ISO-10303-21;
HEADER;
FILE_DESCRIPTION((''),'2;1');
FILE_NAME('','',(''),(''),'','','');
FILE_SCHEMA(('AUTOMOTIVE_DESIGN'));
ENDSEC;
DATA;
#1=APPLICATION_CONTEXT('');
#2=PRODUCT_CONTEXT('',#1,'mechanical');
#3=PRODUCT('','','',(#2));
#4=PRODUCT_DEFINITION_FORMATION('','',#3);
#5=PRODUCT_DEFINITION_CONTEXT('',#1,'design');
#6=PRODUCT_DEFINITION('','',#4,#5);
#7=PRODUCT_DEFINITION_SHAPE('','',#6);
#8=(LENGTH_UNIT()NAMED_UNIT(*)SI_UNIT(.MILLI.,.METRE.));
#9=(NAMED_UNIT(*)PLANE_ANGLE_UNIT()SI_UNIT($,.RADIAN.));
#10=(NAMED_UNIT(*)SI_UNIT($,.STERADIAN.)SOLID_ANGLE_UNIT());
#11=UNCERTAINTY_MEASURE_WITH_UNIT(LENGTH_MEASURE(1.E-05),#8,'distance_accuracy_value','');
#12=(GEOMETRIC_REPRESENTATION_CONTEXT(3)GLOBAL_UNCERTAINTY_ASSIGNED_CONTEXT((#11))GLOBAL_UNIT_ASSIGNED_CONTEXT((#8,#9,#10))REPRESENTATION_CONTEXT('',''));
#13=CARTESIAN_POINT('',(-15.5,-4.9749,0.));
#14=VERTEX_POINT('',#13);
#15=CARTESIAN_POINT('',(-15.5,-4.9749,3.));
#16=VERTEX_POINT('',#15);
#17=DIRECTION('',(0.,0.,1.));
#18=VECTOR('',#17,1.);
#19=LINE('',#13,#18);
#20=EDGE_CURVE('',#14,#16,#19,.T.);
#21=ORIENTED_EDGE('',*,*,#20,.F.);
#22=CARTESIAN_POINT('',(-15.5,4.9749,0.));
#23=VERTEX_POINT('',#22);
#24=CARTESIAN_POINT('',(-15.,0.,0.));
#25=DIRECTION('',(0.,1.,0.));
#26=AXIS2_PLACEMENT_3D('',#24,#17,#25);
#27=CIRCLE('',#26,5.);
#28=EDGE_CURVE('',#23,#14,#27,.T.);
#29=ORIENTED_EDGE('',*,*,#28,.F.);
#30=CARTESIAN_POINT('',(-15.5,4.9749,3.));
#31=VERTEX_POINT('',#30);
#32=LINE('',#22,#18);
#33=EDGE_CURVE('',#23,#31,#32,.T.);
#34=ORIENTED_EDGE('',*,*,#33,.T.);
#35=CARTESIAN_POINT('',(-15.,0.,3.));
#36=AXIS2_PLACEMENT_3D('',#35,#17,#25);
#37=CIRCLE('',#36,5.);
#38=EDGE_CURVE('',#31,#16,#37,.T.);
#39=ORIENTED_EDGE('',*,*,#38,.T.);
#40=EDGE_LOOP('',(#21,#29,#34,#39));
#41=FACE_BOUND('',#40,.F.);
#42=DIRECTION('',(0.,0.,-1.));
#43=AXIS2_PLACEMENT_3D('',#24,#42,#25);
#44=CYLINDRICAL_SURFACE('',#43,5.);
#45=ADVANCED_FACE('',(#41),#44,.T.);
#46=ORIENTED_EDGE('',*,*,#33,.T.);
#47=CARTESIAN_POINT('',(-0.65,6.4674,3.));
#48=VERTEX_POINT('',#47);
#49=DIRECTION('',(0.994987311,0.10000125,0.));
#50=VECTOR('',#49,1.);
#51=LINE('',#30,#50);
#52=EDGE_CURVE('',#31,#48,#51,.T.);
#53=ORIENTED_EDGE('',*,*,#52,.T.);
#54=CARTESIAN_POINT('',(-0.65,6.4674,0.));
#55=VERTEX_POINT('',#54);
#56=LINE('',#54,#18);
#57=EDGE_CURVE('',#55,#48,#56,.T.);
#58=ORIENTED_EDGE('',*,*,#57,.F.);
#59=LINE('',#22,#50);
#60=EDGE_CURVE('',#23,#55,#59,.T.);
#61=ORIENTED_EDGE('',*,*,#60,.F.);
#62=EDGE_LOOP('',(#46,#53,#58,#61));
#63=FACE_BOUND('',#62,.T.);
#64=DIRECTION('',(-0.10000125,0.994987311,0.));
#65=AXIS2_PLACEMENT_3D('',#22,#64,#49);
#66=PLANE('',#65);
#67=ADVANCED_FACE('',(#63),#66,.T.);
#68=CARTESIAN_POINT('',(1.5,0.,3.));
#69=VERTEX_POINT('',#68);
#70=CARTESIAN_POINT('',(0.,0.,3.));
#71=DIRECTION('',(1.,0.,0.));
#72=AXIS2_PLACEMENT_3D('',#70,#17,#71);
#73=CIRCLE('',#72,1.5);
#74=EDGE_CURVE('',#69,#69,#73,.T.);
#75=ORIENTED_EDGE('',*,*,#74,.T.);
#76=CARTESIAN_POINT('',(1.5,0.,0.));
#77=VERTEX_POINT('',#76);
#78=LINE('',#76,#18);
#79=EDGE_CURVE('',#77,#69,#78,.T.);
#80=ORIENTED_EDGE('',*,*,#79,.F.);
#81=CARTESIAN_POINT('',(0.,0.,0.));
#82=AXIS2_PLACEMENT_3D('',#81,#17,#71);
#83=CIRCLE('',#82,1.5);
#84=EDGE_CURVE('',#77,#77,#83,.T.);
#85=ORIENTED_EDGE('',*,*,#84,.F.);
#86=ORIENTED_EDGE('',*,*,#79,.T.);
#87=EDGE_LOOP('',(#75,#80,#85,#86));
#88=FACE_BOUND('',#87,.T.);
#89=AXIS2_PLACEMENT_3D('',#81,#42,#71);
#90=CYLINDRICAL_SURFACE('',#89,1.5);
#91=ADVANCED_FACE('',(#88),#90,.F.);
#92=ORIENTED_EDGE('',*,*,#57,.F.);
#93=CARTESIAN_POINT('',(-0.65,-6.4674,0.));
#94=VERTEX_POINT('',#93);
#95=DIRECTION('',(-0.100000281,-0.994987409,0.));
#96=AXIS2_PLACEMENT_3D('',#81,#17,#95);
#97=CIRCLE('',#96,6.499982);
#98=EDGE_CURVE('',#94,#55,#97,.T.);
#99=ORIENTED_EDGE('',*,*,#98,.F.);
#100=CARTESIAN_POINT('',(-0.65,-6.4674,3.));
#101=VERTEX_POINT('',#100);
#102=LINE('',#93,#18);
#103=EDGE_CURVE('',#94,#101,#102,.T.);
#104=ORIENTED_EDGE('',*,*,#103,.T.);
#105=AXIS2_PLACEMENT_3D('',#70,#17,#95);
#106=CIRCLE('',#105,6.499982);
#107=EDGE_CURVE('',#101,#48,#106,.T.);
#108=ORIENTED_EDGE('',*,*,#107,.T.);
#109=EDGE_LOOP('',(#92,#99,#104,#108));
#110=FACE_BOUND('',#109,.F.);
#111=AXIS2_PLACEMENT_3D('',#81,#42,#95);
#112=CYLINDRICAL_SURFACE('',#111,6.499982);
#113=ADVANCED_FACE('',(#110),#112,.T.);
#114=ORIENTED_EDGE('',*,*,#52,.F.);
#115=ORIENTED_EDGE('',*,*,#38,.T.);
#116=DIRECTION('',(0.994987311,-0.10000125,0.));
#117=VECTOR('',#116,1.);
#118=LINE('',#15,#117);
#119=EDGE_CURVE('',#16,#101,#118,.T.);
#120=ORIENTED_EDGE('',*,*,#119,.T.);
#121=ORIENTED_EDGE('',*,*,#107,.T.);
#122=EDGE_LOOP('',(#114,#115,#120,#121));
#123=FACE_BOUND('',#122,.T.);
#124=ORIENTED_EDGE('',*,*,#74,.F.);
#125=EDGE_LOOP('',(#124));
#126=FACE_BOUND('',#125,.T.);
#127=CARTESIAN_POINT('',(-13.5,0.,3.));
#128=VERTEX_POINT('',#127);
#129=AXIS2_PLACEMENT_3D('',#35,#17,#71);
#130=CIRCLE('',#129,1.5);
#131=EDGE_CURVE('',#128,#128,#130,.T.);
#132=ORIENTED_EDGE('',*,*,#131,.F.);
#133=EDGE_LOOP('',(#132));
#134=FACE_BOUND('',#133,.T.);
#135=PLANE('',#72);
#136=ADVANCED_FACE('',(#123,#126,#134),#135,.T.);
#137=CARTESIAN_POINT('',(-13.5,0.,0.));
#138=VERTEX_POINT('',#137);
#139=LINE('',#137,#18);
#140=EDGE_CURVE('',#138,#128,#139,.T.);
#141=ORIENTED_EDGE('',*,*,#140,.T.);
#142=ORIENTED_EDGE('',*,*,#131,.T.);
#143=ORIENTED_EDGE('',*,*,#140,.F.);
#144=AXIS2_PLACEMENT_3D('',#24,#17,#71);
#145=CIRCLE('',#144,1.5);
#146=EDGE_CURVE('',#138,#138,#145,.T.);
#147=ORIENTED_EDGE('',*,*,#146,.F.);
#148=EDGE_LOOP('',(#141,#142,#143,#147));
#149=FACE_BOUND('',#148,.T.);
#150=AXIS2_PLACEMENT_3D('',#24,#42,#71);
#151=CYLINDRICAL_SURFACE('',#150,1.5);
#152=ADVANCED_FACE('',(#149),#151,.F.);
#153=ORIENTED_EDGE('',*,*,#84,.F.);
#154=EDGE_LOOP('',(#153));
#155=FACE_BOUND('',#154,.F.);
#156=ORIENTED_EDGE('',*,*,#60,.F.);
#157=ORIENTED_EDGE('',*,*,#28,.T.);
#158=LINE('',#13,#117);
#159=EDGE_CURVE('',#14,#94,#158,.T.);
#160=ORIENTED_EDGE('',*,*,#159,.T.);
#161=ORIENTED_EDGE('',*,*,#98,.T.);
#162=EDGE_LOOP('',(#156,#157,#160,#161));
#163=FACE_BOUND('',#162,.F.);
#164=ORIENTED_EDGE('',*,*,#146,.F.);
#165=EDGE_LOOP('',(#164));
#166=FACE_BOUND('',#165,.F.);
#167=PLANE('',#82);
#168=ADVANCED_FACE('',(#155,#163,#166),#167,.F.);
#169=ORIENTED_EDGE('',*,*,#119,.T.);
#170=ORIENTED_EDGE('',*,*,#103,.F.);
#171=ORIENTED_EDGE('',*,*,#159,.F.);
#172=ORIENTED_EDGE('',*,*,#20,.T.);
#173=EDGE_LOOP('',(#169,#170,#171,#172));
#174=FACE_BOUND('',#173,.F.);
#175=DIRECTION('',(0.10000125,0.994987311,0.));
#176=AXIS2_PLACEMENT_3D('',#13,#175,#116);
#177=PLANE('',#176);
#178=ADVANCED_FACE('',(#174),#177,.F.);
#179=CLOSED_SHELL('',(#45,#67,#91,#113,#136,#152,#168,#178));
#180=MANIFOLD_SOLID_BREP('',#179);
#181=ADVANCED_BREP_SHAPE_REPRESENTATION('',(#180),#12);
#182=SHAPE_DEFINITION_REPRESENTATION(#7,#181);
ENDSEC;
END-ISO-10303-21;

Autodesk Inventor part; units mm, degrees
ref_plane "YZ Plane" through (0, 0, 0) normal (1, 0, 0) x (0, 1, 0)
ref_plane "XZ Plane" through (0, 0, 0) normal (0, 1, 0) x (-1, 0, 0)
ref_plane "XY Plane" through (0, 0, 0) normal (0, 0, 1) x (1, 0, 0)
sketch "スケッチ1" plane through (0, 0, 0) normal (0, 0, 1) x (1, 0, 0)
  line L0 (0, 0) -> (-15, 0) construction
  line L1 (0, 5) -> (-15, 5) construction
  line L2 (-15, -5) -> (0, -5) construction
  arc A0 (0, -5) -> (0, 5) centre (0, 0) ccw construction
  arc A1 (-15, 5) -> (-15, -5) centre (-15, 0) ccw
  circle A2 centre (-15, 0) radius 1.5
  circle A3 centre (0, 0) radius 1.5
  arc A4 (-0.65, 6.4674) -> (-0.65, -6.4674) centre (0, 0) ccw construction
  line L3 (-15.5, 4.9749) -> (-0.65, 6.4674)
  line L4 (-15.5, -4.9749) -> (-0.65, -6.4674)
  arc A5 (-0.65, -6.4674) -> (-0.65, 6.4674) centre (0, 0) ccw
  point P0 (-7.5, 0)
  dimension "d0" = 15
  dimension "d1" = 10
  dimension "d2" = 3
  dimension "d3" = 3
  dimension "d4" = 13
extrude "押し出し1" add sketch "スケッチ1" along normal blind 3
properties part number "Wing抑え" material "ポリカーボネート、スモーク"
